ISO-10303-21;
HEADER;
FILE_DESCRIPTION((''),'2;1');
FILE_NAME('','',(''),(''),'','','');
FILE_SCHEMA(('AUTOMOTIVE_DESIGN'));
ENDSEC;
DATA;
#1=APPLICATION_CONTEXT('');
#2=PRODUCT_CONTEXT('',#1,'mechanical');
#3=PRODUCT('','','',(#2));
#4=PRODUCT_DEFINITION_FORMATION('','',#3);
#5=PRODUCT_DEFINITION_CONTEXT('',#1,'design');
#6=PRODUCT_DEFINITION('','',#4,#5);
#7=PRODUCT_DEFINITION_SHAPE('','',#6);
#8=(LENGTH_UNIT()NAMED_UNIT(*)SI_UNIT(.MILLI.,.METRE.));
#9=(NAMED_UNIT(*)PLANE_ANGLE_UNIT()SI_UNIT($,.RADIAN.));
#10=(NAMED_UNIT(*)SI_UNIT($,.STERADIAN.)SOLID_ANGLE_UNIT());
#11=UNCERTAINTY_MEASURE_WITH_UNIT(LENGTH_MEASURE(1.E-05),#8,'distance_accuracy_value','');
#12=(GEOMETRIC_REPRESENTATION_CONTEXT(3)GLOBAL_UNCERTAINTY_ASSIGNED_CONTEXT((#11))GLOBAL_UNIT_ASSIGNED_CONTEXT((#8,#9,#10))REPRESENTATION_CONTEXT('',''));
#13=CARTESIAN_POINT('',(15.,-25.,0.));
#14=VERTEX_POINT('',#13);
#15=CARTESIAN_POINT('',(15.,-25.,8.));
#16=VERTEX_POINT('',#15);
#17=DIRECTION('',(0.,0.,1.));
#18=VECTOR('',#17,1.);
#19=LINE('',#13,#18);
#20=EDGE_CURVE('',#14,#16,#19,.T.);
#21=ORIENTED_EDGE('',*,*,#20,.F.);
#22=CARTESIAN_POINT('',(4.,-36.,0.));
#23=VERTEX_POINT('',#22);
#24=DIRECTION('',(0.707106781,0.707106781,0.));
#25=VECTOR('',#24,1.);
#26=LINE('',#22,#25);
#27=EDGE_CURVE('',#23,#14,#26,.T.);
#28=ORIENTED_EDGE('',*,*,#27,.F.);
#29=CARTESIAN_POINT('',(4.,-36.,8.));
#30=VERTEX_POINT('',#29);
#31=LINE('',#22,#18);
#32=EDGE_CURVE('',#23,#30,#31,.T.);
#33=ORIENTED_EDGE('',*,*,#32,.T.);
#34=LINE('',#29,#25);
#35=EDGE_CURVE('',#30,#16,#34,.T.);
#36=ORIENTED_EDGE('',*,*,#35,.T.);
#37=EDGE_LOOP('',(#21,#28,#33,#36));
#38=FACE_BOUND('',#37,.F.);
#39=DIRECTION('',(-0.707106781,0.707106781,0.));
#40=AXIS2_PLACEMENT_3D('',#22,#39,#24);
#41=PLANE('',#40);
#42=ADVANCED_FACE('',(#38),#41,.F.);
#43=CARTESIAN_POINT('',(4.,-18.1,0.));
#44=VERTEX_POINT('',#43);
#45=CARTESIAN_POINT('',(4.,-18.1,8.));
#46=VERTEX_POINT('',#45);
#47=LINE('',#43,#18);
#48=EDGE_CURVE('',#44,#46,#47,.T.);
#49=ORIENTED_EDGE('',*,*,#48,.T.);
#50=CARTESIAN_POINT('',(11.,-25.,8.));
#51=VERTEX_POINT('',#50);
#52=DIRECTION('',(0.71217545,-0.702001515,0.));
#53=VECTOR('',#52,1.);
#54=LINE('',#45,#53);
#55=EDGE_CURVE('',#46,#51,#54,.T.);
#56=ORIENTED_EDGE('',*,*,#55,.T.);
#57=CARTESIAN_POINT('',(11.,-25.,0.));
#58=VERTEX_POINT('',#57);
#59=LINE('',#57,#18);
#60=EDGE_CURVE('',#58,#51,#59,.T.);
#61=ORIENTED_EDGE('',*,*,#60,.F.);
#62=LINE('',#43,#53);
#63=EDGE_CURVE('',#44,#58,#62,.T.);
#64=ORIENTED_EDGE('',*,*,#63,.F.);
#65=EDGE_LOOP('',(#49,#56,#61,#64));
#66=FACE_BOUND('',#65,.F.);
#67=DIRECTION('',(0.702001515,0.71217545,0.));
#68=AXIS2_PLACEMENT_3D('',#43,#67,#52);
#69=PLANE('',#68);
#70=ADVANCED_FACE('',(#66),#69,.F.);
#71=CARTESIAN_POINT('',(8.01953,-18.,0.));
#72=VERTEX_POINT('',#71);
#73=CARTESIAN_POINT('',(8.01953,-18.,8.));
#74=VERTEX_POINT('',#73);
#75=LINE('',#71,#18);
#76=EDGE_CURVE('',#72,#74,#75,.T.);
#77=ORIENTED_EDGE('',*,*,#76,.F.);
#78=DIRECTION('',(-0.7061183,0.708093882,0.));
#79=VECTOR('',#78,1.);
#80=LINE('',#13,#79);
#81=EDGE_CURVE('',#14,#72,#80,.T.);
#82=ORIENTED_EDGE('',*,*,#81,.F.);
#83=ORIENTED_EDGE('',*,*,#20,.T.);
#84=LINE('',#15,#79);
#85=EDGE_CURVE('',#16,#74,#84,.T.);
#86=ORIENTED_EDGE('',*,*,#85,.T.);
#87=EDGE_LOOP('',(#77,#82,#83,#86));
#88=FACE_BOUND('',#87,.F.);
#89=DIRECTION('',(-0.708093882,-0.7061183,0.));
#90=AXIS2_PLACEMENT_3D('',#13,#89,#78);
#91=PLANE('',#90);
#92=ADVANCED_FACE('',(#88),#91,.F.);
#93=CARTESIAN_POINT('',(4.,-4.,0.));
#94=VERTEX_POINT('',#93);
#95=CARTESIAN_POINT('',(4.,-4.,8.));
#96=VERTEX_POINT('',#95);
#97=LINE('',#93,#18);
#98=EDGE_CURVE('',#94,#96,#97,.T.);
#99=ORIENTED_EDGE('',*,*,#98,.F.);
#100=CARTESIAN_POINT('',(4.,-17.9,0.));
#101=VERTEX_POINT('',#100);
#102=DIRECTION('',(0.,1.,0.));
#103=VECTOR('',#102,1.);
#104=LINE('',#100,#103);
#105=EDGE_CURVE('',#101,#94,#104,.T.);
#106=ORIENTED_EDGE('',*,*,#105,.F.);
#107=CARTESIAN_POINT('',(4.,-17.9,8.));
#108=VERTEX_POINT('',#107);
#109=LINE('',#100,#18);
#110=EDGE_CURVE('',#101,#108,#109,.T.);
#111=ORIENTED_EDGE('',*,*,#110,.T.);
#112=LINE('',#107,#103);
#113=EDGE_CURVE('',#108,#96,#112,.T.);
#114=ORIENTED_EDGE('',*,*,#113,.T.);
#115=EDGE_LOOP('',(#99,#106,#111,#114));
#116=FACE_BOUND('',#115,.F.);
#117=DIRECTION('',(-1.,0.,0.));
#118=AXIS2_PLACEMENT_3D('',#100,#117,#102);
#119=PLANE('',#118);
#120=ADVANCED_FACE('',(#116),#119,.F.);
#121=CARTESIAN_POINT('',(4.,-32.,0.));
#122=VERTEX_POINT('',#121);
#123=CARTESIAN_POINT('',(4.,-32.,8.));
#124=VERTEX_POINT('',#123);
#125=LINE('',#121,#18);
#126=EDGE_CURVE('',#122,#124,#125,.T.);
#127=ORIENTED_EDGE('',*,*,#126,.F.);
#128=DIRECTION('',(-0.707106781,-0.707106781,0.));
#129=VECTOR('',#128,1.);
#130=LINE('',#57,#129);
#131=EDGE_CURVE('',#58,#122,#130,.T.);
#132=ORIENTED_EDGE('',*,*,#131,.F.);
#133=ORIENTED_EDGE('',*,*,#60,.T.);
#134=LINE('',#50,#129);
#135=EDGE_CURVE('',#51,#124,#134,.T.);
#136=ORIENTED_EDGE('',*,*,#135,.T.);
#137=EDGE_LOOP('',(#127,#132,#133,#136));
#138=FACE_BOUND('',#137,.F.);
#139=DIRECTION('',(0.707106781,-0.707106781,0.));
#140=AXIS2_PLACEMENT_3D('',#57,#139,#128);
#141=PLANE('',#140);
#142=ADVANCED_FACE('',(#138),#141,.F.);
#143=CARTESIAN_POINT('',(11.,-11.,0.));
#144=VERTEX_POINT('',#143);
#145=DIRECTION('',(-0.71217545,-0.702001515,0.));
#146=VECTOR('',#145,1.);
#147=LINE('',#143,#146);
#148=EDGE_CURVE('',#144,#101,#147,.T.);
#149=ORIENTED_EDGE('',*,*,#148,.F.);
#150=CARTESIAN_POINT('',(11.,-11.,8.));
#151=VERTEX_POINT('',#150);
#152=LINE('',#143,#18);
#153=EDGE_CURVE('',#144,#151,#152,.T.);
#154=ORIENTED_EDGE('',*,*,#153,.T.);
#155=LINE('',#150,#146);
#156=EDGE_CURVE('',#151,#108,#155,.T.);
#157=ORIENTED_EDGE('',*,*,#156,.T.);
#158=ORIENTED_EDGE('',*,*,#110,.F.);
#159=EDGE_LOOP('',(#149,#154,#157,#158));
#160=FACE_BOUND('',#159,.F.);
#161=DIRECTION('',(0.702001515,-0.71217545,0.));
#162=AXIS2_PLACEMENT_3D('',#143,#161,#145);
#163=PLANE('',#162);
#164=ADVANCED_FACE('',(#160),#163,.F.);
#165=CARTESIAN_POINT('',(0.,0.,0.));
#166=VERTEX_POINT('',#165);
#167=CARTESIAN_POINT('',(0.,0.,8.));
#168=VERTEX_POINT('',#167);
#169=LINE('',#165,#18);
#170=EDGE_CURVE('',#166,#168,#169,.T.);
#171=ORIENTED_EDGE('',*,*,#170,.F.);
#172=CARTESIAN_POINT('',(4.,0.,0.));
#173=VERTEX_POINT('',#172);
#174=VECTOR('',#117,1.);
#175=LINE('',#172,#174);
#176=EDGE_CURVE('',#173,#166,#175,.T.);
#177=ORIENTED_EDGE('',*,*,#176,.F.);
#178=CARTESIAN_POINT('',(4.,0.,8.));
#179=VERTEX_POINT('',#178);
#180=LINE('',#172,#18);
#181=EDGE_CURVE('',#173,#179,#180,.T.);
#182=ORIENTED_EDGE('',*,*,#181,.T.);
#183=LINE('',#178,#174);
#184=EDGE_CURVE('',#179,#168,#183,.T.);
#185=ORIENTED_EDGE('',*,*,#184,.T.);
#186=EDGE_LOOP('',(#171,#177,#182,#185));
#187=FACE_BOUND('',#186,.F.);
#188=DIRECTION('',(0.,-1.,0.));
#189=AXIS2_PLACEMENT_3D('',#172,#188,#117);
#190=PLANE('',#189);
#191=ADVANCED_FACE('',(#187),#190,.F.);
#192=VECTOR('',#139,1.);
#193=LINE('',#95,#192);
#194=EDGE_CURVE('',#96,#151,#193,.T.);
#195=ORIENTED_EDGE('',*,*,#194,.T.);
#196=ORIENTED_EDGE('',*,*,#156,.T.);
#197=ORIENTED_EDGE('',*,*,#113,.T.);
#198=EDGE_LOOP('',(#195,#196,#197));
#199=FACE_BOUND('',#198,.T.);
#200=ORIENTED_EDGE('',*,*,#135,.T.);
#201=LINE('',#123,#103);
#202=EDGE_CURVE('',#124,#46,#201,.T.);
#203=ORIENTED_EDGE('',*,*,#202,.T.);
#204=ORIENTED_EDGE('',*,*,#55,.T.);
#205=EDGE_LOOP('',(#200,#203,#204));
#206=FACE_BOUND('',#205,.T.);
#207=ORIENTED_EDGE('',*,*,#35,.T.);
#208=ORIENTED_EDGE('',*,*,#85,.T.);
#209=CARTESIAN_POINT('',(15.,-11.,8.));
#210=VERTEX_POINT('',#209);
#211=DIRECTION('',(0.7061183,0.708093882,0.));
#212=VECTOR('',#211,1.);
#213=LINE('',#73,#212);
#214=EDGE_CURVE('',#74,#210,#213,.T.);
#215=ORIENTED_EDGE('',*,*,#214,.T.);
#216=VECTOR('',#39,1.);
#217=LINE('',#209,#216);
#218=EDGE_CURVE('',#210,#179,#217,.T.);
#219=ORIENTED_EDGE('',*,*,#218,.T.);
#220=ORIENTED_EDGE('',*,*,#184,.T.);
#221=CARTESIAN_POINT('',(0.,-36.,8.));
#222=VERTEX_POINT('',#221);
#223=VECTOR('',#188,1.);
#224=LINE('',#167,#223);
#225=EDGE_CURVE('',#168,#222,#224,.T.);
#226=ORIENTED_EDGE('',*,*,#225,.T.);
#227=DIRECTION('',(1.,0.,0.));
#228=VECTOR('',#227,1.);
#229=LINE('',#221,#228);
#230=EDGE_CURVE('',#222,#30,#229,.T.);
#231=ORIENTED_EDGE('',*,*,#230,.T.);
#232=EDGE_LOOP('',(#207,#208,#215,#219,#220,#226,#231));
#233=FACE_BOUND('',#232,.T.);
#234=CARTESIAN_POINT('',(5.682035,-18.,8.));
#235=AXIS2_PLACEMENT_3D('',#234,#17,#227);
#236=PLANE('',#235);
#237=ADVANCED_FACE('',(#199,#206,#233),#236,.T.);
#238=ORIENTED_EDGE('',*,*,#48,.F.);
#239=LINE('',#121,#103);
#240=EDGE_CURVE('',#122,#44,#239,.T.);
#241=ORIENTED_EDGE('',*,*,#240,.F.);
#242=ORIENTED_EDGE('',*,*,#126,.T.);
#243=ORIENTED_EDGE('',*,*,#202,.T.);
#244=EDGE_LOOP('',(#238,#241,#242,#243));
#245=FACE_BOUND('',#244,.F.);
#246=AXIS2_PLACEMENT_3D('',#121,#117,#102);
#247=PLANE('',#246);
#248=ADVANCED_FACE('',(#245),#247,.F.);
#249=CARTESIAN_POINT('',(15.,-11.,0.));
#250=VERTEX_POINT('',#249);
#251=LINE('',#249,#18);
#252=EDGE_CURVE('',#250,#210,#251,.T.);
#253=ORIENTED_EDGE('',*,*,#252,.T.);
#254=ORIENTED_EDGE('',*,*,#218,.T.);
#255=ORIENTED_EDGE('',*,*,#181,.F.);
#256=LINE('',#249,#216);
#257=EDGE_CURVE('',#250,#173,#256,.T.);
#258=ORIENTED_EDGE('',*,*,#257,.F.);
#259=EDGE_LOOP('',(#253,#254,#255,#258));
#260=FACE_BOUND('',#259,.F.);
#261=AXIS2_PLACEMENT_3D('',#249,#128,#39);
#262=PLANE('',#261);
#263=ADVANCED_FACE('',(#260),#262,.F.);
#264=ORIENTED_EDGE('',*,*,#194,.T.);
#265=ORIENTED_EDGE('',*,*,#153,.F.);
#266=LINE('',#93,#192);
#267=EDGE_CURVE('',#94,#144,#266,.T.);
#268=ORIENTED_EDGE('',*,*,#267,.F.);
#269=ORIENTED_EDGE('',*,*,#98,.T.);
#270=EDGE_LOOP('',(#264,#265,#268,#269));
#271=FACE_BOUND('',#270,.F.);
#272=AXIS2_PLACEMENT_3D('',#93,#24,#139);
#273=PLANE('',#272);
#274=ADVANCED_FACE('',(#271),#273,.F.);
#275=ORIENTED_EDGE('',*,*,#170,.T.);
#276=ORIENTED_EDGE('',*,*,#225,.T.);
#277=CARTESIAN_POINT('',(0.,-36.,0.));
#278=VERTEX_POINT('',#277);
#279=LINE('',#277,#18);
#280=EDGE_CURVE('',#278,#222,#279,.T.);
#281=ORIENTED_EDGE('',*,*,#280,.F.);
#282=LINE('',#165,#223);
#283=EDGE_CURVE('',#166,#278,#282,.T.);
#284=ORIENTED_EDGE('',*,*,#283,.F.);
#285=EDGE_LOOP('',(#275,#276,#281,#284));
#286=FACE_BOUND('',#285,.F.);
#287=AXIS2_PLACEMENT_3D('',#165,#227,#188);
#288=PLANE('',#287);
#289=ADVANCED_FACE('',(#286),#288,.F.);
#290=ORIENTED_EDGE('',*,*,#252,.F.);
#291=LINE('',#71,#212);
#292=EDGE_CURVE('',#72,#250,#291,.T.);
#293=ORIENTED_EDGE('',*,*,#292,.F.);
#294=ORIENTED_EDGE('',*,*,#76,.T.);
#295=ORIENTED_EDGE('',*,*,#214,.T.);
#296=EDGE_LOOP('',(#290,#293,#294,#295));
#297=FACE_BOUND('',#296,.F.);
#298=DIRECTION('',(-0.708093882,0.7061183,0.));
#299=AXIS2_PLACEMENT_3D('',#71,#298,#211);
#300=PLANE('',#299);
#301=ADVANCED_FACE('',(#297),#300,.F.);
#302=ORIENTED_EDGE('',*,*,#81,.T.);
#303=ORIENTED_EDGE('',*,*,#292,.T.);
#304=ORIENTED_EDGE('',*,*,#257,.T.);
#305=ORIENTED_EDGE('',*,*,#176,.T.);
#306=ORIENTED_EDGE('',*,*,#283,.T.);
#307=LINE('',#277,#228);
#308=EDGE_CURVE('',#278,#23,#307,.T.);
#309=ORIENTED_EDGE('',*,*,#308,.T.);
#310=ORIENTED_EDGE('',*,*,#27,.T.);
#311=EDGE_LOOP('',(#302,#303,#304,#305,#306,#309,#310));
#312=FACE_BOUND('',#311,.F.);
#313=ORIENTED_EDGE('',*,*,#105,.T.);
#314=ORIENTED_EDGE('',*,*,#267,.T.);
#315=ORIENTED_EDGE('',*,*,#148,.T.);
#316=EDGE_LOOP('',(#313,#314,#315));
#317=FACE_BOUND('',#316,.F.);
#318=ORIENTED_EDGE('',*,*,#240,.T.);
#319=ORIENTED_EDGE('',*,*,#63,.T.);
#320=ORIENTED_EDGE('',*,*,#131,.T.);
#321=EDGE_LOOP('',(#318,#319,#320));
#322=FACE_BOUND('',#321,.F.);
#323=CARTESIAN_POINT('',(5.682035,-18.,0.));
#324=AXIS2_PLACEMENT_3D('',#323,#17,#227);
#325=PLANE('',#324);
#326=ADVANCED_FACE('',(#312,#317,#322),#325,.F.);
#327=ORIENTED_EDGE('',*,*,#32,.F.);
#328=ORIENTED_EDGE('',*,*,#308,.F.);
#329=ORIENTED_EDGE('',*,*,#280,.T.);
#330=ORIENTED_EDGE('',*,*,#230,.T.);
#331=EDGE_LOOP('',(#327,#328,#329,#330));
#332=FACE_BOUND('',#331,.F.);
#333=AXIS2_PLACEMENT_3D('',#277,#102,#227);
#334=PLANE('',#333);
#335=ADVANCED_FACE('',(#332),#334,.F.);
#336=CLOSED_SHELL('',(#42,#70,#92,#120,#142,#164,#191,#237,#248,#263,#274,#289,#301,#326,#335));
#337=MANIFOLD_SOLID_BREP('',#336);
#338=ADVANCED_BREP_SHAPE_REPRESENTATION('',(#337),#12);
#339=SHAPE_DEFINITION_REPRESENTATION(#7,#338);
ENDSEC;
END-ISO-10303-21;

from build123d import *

# Parameters (mm, degrees)
F1_DEPTH = 8


with BuildPart() as f1:
    # F0 (on Top) → F1 (new body)
    with BuildSketch(Plane.XY):
        Polygon((4, 0), (0, 0), (0, -36), (4, -36), (15, -25), (8.01953, -18), (15, -11), align=None)
        Polygon((4, -32), (4, -18.1), (11, -25), align=None, mode=Mode.SUBTRACT)
        Polygon((4, -17.9), (4, -4), (11, -11), align=None, mode=Mode.SUBTRACT)
    extrude(amount=F1_DEPTH)


solid = f1.part
